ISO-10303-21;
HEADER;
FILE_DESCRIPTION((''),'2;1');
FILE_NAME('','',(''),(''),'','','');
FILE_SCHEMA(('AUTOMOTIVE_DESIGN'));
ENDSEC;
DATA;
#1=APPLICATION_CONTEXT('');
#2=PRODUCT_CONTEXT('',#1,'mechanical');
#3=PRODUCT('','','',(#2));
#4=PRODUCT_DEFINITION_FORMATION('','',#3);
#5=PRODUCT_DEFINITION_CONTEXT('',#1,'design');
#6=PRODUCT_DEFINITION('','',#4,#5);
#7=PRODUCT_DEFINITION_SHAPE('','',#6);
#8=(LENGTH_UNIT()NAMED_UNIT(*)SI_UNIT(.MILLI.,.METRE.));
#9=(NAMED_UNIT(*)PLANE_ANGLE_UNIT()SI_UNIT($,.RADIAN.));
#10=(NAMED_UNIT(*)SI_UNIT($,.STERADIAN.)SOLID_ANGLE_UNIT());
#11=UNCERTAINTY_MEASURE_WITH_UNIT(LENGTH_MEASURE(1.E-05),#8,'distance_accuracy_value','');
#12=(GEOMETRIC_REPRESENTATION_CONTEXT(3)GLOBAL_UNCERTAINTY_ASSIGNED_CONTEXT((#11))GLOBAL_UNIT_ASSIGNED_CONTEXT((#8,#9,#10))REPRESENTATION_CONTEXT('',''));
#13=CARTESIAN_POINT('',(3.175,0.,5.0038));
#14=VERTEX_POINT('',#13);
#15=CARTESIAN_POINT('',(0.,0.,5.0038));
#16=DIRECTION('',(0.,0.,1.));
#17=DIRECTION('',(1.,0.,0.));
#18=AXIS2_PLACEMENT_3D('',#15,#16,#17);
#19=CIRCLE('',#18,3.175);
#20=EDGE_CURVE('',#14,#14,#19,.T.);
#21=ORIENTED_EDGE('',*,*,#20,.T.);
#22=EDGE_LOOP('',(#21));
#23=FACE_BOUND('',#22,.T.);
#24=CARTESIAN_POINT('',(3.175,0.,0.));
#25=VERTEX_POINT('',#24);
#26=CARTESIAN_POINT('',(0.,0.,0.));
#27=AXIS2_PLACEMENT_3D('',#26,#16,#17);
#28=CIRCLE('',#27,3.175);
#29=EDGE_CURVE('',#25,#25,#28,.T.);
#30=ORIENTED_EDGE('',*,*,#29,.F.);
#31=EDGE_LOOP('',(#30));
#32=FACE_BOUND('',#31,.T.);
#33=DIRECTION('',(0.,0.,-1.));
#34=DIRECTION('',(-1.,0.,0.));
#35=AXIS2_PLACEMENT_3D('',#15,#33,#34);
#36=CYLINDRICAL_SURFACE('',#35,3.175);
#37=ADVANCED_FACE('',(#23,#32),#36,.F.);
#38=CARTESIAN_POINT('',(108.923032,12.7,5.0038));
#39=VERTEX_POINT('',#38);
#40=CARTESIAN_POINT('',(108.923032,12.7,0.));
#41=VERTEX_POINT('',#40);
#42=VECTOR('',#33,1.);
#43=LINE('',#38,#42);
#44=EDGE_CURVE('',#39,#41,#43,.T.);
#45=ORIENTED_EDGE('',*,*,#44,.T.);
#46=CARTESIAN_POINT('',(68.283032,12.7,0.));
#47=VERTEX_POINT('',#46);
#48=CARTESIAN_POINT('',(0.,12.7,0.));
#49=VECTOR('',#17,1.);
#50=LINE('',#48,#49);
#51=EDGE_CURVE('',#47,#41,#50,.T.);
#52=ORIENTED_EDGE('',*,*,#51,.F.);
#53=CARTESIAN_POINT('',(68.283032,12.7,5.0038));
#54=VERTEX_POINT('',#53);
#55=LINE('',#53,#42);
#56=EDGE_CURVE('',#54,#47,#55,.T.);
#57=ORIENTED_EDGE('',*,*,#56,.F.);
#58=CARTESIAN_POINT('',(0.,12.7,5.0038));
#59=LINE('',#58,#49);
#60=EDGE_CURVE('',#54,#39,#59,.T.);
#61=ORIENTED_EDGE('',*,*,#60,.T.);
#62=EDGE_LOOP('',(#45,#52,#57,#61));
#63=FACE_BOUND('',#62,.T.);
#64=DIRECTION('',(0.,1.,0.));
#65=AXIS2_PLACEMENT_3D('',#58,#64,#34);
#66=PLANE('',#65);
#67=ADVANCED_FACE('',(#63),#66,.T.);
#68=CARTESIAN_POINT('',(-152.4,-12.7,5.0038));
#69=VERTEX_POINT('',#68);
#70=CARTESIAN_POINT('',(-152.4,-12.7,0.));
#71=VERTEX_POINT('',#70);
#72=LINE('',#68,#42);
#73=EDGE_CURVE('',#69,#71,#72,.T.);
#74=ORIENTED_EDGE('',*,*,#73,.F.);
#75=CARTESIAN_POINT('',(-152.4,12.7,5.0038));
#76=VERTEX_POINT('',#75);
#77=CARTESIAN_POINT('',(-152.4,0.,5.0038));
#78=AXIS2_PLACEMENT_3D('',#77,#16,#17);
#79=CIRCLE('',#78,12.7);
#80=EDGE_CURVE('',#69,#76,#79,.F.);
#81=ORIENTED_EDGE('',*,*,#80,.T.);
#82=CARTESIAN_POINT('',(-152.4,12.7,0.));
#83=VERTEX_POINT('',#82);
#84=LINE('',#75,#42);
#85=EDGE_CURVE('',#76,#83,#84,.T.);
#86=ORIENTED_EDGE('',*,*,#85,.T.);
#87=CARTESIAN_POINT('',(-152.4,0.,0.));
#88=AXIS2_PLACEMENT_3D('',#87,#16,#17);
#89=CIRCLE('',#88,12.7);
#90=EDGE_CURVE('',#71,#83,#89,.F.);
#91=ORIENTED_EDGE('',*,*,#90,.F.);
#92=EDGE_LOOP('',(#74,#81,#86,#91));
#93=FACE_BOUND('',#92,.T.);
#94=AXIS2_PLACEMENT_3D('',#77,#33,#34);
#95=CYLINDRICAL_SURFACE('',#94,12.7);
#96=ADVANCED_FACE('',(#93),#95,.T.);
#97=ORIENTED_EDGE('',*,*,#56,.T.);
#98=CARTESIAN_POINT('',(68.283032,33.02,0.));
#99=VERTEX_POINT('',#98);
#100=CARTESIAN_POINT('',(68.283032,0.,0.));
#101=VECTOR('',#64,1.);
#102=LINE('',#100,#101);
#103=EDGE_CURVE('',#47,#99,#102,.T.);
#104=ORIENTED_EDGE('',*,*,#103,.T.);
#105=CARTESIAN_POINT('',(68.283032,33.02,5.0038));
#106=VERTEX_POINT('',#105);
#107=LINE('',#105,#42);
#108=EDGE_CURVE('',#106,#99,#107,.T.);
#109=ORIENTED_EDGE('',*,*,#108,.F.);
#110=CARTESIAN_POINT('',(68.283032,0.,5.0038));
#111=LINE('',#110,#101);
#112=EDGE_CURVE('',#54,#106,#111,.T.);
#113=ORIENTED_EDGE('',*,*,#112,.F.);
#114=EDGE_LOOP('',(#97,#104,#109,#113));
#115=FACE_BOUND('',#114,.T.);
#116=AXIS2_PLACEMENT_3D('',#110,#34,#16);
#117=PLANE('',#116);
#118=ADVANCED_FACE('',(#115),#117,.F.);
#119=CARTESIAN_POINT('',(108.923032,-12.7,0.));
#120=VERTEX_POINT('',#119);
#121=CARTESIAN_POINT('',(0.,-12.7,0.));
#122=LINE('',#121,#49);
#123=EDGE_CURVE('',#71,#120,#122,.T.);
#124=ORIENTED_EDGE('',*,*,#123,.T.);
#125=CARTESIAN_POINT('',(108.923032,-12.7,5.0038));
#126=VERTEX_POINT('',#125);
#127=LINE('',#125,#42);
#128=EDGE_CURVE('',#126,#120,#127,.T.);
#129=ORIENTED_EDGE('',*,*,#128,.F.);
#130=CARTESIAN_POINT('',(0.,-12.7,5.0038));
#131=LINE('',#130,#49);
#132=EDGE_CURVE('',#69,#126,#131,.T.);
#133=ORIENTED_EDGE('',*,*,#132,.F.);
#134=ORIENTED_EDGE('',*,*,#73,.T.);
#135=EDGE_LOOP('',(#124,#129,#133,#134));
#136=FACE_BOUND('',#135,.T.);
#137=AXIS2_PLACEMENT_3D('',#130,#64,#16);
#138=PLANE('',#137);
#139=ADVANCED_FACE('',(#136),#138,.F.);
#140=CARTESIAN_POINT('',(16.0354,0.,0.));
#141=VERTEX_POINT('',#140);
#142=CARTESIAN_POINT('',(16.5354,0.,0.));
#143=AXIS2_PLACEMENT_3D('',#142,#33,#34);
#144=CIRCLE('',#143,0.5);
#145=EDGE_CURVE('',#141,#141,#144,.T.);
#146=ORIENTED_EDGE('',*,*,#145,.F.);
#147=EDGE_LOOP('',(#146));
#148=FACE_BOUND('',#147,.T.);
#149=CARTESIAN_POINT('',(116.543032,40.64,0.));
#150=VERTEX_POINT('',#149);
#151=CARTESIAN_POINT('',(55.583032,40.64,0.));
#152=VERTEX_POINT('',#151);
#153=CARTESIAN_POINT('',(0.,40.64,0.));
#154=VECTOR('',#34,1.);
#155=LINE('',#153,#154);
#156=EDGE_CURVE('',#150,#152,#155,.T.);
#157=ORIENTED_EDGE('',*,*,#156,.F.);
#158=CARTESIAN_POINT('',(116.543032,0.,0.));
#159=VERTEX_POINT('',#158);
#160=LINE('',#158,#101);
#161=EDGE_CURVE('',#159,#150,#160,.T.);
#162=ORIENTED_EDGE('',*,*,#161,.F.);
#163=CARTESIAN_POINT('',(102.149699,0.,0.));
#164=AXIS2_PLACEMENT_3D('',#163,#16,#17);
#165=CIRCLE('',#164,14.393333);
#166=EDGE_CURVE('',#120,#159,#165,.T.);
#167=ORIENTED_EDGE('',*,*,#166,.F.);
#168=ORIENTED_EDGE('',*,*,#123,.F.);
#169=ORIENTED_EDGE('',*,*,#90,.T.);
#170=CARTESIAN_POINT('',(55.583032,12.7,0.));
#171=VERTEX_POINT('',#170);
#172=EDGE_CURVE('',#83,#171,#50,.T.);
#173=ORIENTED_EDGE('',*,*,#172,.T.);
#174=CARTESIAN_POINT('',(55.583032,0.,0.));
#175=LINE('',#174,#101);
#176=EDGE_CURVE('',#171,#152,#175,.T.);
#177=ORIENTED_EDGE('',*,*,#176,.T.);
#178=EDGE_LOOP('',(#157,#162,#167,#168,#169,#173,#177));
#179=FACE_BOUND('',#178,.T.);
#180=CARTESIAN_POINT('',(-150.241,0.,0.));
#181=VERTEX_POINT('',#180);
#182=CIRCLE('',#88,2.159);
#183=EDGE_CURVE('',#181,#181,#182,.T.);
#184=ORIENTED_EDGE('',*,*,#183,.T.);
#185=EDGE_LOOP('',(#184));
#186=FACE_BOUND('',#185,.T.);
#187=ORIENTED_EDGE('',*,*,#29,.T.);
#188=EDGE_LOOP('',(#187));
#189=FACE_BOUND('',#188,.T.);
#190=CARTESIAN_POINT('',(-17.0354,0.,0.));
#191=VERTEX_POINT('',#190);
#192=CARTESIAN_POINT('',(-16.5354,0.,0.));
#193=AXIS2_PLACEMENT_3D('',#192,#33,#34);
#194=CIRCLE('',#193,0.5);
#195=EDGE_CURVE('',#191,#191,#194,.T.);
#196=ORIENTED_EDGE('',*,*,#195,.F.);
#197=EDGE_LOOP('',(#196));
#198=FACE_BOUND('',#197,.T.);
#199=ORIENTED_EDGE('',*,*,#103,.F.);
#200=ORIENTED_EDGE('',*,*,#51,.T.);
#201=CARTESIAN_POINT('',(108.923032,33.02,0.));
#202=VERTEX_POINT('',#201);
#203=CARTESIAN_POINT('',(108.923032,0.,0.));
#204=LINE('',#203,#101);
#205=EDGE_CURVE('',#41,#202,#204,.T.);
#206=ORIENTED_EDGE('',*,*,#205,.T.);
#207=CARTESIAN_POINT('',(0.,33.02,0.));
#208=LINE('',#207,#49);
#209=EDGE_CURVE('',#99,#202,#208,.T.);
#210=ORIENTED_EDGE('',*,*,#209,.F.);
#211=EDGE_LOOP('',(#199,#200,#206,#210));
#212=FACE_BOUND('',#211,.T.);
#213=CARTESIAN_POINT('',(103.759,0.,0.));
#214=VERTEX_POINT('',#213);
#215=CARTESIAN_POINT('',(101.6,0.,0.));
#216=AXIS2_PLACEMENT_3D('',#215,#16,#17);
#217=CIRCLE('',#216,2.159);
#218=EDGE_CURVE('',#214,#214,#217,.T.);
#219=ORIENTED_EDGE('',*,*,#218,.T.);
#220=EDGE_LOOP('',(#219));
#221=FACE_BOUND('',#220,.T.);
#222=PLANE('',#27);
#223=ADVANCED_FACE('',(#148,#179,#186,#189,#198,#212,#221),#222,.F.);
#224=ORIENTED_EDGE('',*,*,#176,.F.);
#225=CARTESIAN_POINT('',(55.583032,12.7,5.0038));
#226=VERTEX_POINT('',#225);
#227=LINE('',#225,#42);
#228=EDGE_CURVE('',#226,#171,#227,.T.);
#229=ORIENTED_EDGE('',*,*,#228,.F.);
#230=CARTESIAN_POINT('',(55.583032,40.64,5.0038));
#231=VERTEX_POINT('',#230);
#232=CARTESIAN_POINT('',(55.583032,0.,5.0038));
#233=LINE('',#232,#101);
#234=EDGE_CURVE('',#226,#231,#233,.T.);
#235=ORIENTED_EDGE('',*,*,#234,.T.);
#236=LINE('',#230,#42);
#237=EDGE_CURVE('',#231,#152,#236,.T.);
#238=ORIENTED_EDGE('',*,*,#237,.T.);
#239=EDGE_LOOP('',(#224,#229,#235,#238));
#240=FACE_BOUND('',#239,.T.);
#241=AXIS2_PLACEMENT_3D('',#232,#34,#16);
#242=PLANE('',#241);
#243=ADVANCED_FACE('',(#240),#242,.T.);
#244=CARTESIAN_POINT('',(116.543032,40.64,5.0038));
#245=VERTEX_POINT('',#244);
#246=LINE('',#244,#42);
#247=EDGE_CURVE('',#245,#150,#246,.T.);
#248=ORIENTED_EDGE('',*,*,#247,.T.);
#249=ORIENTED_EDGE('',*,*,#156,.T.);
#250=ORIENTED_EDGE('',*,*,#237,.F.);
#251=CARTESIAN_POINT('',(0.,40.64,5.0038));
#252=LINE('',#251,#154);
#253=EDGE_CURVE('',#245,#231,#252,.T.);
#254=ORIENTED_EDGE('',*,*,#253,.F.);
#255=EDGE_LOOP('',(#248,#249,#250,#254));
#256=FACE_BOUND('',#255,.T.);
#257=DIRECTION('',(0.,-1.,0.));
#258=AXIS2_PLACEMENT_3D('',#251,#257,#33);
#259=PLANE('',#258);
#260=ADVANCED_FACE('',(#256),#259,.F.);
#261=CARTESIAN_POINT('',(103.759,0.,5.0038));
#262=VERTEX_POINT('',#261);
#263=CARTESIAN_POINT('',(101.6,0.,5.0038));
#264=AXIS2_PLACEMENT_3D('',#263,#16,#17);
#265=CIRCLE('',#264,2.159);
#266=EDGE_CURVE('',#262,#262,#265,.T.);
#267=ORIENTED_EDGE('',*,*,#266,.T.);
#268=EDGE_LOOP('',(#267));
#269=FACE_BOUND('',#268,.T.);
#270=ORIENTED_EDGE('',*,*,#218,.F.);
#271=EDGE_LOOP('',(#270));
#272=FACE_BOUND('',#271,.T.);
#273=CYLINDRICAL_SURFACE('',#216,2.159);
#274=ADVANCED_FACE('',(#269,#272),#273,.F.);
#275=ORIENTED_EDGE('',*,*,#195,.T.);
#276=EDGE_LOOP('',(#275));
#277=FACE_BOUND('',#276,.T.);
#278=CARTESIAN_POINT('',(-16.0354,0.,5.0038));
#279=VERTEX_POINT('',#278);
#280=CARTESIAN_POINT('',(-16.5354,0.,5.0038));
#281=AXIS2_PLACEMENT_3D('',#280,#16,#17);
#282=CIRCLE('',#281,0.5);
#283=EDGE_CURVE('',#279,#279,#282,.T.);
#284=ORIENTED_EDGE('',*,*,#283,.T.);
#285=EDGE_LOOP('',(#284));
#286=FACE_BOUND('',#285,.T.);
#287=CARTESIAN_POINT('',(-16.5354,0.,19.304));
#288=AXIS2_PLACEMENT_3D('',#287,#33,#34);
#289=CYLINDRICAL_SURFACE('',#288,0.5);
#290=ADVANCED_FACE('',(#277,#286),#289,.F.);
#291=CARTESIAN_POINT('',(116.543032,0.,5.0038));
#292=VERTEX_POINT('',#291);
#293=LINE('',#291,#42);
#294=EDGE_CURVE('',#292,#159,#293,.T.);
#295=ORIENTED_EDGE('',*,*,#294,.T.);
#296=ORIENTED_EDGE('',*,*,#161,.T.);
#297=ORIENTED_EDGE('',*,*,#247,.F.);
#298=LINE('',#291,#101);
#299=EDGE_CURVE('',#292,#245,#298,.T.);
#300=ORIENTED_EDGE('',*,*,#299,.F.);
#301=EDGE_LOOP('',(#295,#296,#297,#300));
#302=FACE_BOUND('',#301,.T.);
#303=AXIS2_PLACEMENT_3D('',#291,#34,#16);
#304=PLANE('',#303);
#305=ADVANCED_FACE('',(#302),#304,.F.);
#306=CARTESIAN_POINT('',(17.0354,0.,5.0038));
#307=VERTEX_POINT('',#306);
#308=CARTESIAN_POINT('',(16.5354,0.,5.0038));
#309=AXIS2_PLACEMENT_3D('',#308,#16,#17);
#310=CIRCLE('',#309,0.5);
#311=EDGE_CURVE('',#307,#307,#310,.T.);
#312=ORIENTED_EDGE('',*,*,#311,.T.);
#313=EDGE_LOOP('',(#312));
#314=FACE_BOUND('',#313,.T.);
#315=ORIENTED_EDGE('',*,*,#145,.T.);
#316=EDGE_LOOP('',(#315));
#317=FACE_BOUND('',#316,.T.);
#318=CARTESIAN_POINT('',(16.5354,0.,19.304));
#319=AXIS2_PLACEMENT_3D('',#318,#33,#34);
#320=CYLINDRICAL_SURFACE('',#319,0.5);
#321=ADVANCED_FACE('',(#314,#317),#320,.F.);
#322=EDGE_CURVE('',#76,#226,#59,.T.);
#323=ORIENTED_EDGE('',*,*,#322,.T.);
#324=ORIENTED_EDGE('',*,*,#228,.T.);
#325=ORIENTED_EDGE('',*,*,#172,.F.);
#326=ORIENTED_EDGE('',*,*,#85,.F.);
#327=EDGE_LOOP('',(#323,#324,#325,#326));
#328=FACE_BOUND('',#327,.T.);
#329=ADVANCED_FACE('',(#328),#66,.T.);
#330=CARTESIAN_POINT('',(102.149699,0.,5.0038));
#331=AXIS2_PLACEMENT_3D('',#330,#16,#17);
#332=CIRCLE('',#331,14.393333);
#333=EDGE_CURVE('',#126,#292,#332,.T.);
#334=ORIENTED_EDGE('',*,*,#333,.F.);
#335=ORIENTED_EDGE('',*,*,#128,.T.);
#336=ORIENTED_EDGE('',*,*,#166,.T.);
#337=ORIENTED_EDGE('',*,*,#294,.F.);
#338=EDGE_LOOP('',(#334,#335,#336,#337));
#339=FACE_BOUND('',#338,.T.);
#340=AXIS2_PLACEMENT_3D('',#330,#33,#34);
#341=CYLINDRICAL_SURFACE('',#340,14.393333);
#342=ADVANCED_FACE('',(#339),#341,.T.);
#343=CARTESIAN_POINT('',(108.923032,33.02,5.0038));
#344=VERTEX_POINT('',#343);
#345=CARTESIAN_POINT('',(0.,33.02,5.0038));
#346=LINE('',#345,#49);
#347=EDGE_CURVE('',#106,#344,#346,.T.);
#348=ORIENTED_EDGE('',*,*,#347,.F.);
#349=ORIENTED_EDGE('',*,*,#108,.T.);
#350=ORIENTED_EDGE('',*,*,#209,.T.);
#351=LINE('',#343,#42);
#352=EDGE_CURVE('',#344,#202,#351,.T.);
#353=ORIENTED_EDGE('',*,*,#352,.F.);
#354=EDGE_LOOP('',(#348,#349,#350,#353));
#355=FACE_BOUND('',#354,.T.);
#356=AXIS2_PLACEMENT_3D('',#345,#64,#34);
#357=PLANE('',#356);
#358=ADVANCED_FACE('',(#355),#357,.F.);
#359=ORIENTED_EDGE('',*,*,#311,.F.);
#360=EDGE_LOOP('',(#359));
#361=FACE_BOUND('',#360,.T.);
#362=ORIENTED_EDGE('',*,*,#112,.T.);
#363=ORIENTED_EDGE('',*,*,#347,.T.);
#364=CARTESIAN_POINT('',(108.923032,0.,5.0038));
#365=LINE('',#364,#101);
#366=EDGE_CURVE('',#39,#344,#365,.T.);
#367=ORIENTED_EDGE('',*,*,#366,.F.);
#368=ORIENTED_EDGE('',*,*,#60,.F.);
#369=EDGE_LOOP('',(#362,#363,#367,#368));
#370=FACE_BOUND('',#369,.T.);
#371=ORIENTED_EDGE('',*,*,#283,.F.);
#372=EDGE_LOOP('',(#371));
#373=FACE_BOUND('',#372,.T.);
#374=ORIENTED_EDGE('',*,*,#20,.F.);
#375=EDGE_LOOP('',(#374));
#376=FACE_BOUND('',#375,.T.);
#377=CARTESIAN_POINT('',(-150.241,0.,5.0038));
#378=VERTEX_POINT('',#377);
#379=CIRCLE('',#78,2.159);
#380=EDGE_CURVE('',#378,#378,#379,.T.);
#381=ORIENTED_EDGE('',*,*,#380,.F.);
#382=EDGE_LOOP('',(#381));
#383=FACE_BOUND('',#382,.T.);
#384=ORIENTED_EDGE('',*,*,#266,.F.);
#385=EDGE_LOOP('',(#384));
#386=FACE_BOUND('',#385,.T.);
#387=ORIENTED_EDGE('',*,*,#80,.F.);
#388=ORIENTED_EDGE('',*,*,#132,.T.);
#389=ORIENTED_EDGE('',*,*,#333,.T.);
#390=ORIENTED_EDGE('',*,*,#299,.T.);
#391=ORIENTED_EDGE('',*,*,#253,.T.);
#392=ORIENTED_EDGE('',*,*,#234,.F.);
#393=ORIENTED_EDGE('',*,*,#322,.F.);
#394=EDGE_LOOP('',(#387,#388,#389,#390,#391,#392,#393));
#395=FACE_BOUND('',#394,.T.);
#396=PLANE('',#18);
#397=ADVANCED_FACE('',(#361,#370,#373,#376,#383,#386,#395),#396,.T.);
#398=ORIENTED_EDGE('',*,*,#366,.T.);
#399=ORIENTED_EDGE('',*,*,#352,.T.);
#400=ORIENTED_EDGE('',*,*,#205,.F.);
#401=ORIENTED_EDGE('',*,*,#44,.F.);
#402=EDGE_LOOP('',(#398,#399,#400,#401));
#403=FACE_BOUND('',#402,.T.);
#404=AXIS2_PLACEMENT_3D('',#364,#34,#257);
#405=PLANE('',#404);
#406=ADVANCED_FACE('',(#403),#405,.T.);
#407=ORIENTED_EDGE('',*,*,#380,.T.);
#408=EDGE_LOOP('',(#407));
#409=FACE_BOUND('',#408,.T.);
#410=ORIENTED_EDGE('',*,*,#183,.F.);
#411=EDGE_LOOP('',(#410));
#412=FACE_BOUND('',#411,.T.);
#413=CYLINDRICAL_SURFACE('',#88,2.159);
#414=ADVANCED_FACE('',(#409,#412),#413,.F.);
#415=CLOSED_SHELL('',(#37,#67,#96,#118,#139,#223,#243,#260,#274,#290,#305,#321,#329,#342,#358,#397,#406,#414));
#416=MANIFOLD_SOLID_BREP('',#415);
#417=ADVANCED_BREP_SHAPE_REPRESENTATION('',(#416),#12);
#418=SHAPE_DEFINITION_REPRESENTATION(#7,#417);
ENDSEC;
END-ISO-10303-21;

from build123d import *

# Parameters (mm, degrees)
SKETCH1_R           = 6.35
SKETCH1_R_2         = 3.175
SKETCH1_W           = 40.64
SKETCH1_H           = 20.32
BOSS_EXTRUDE1_DEPTH = 5.0038
SKETCH2_R           = 10.425848265
SKETCH2_R_2         = 2.159
SKETCH2_R_3         = 8.142875018
BOSS_EXTRUDE2_DEPTH = 5.0038
SKETCH3_R           = 0.50000027
CUT_EXTRUDE1_DEPTH  = 19.304


with BuildPart() as part:
    # Sketch1 → Boss-Extrude1 (new body)
    with BuildSketch(Plane.XY):
        with BuildLine():
            ThreePointArc((108.923032041, -12.7), (114.491880219, -7.405308906), (116.543032041, 0))
            Line((116.543032041, 0), (116.543032041, 40.64))
            Line((116.543032041, 40.64), (55.583032041, 40.64))
            Line((55.583032041, 40.64), (55.583032041, 12.7))
            Line((55.583032041, 12.7), (-152.4, 12.7))
            ThreePointArc((-152.4, 12.7), (-165.1, 0), (-152.4, -12.7))
            Line((-152.4, -12.7), (108.923032041, -12.7))
        make_face()
        with Locations((-152.4, 0)):
            Circle(SKETCH1_R, mode=Mode.SUBTRACT)
        Circle(SKETCH1_R_2, mode=Mode.SUBTRACT)
        with Locations((101.6, 0)):
            Circle(SKETCH1_R, mode=Mode.SUBTRACT)
        with Locations((88.603032041, 22.86)):
            Rectangle(SKETCH1_W, SKETCH1_H, mode=Mode.SUBTRACT)
    extrude(amount=BOSS_EXTRUDE1_DEPTH)

    # Sketch2 → Boss-Extrude2 (add)
    with BuildSketch(Plane.XY.offset(5.0038)):
        with Locations((-152.4, 0)):
            Circle(SKETCH2_R)
        with Locations((-152.4, 0)):
            Circle(SKETCH2_R_2, mode=Mode.SUBTRACT)
        with Locations((101.6, 0)):
            Circle(SKETCH2_R_3)
        with Locations((101.6, 0)):
            Circle(SKETCH2_R_2, mode=Mode.SUBTRACT)
    extrude(amount=-BOSS_EXTRUDE2_DEPTH)

    # Sketch3 → Cut-Extrude1 (cut)
    with BuildSketch(Plane(origin=(0, 0, 0), x_dir=(-1, 0, 0), z_dir=(0, 0, -1))):
        with Locations((16.5354, 0)):
            Circle(SKETCH3_R)
        with Locations((-16.5354, 0)):
            Circle(SKETCH3_R)
    extrude(amount=-CUT_EXTRUDE1_DEPTH, mode=Mode.SUBTRACT)


solid = part.part
